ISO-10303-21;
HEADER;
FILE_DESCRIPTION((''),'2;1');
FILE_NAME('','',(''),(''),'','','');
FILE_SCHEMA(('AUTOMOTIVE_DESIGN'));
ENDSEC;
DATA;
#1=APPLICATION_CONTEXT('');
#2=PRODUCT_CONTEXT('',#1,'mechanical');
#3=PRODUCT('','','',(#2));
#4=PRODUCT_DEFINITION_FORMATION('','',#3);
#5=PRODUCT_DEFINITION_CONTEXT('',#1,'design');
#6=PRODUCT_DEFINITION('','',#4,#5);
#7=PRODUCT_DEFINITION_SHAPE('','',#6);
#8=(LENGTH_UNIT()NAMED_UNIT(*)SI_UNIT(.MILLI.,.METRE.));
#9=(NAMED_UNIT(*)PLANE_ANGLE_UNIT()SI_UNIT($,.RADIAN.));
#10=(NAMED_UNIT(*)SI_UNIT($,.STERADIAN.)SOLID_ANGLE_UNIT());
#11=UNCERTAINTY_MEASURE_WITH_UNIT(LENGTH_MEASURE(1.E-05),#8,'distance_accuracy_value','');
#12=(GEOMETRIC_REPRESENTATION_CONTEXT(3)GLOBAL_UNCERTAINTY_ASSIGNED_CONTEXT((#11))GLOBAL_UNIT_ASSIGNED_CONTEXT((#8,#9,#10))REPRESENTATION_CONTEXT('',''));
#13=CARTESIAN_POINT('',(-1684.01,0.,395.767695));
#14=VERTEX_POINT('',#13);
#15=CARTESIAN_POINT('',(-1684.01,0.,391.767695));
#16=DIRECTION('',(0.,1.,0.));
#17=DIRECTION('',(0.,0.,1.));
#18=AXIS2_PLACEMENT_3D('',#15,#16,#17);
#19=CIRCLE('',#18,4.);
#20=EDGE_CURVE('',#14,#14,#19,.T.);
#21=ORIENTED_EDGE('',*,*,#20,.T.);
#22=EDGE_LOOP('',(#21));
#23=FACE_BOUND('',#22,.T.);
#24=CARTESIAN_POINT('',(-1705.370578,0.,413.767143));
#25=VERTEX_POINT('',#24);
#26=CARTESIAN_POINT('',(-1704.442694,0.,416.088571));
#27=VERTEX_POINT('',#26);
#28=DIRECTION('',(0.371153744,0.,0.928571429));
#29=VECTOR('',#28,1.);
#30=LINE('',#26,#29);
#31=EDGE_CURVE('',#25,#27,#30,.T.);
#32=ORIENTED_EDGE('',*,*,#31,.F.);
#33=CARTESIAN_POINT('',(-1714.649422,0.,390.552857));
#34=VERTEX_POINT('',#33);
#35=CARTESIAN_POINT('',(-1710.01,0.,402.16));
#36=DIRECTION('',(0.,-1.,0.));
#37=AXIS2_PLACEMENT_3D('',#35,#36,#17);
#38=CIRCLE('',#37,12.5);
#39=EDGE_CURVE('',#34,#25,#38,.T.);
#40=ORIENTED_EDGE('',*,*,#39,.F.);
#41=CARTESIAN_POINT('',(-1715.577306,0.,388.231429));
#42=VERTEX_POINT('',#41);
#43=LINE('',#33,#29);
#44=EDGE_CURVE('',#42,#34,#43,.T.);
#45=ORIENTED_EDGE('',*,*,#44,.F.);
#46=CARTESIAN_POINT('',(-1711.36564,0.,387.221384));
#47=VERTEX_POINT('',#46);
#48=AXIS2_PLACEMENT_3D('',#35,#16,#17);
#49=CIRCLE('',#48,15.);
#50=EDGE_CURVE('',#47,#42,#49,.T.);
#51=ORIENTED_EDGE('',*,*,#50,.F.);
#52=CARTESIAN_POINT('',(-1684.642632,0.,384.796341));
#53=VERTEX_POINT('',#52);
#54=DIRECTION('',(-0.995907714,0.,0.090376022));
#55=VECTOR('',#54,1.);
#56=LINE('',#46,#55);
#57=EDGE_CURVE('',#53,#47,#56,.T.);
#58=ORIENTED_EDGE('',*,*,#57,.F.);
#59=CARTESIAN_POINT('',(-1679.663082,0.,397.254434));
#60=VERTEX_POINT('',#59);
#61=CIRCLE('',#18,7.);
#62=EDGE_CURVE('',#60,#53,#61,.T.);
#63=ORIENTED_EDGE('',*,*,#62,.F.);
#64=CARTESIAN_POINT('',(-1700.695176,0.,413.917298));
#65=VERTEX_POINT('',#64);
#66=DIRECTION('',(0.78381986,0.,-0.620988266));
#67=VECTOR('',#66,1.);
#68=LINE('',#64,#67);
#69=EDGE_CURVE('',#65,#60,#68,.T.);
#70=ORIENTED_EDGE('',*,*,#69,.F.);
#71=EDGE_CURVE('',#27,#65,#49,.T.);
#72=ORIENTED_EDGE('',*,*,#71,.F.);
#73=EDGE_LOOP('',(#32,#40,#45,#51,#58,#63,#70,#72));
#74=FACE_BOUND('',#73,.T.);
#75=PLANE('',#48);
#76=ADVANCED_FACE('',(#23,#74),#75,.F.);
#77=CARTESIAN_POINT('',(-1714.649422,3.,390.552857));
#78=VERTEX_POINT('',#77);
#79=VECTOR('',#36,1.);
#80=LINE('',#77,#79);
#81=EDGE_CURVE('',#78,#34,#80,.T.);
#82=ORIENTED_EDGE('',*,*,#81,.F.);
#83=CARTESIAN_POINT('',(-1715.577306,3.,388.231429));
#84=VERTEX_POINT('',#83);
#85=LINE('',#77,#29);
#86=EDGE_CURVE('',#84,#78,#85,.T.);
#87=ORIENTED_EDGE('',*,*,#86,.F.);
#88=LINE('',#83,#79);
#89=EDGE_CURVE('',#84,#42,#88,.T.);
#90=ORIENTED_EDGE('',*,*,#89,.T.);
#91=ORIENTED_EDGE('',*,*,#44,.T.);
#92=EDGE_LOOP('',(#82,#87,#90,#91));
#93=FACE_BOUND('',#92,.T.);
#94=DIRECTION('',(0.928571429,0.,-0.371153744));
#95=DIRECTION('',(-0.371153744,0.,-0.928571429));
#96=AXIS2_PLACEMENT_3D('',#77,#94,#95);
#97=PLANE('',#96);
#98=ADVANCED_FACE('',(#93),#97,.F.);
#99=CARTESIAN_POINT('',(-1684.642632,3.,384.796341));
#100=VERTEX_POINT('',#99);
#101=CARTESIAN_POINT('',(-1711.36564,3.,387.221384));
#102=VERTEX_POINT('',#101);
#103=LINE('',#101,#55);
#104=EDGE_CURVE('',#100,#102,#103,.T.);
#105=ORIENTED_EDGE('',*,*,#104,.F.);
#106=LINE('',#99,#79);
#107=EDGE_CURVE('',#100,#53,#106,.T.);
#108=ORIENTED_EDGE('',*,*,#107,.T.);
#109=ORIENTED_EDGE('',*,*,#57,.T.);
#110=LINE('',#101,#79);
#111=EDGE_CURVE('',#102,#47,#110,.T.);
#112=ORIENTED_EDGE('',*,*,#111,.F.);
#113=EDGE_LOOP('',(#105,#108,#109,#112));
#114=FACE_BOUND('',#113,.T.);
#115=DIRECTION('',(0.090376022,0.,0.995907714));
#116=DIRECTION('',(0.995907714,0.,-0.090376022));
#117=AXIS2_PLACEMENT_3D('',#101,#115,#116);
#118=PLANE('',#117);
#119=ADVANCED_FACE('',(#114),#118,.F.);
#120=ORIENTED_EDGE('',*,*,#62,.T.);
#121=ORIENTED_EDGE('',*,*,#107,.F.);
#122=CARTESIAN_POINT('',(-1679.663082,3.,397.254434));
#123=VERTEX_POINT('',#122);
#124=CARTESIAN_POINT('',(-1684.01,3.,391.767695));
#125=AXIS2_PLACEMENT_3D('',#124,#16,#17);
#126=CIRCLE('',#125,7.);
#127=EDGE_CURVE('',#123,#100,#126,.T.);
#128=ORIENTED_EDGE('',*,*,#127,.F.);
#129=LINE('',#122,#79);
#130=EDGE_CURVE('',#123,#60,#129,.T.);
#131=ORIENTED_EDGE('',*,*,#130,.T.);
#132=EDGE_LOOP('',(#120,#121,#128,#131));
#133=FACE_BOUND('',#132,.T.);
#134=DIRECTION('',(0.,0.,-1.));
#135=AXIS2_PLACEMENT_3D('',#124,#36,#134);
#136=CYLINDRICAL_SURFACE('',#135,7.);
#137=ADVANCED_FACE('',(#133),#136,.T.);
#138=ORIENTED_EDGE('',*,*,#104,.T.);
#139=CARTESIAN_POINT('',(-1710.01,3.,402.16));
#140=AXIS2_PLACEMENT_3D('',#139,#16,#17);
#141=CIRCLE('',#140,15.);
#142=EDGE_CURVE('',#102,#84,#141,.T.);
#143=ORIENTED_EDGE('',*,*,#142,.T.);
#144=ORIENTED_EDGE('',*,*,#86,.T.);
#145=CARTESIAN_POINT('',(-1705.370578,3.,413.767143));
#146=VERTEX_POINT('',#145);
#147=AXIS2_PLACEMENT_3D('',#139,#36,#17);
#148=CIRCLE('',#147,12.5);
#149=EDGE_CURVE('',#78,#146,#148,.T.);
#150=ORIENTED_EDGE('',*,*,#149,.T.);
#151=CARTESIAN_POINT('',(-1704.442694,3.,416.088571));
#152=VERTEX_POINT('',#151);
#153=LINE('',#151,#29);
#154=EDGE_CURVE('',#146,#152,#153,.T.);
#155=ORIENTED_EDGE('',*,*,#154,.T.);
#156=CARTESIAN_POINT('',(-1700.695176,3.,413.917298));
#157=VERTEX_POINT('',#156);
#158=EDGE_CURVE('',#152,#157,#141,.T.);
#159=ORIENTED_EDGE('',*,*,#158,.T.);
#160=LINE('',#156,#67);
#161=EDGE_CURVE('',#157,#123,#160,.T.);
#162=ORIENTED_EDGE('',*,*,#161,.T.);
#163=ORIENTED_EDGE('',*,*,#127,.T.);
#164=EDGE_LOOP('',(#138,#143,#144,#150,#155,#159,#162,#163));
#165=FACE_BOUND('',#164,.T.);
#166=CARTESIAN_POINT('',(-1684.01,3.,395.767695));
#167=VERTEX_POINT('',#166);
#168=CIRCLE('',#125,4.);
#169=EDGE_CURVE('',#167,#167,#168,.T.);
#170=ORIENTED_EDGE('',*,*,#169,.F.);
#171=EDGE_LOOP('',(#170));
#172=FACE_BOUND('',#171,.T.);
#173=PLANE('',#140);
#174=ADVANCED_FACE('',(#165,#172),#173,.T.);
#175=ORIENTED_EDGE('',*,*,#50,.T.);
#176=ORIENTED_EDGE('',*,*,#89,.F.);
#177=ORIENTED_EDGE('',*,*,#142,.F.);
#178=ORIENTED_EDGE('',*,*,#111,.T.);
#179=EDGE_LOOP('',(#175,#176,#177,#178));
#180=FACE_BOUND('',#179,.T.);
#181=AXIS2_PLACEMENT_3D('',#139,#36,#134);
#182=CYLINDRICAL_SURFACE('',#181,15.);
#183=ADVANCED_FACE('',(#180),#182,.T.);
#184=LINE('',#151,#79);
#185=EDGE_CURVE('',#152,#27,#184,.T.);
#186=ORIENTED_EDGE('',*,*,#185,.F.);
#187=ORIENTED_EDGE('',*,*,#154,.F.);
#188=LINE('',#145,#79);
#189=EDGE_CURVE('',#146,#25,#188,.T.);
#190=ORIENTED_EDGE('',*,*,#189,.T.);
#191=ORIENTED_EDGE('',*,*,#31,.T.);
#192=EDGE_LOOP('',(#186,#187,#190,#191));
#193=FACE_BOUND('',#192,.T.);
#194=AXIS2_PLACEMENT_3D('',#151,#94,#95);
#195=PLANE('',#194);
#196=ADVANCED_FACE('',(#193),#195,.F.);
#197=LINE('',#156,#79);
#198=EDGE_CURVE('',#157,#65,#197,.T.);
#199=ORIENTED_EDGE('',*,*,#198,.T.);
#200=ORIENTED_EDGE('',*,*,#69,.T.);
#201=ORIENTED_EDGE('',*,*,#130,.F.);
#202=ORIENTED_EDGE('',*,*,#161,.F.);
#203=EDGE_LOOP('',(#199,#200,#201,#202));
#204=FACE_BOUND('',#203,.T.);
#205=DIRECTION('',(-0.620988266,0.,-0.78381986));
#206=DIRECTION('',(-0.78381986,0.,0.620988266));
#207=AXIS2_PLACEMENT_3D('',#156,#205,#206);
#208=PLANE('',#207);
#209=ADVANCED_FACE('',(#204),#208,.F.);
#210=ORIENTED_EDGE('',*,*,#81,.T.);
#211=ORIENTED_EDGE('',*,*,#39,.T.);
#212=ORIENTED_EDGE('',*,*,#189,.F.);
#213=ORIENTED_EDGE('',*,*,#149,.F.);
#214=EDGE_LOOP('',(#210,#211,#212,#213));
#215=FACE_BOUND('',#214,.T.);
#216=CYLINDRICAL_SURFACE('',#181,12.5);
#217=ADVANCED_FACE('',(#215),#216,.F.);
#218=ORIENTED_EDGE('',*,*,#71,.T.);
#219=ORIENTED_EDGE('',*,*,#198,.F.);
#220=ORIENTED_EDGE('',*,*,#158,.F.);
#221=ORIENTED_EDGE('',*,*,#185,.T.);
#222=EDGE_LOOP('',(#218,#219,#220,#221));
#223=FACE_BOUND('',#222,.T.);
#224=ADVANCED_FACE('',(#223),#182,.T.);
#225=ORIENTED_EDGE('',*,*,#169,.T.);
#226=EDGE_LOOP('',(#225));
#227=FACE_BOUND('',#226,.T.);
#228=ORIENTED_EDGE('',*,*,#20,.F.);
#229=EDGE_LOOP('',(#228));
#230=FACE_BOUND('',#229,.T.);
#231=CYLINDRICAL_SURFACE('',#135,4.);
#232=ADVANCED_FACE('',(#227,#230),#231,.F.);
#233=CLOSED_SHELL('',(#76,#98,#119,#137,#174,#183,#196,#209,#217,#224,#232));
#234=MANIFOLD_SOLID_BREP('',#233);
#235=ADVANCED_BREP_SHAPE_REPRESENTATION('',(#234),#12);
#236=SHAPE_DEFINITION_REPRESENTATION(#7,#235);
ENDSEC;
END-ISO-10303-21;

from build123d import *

# Parameters (mm, degrees)
SZKIC1_R                    = 4
DODANIE_WYCI_GNI_CIE1_DEPTH = 3


with BuildPart() as part:
    # Szkic1 → Dodanie-wyciągnięcie1 (new body)
    with BuildSketch(Plane(origin=(0, 0, 0), x_dir=(1, 0, 0), z_dir=(0, 1, 0))):
        with BuildLine():
            Line((-1700.695176003, -413.9172979), (-1679.663082135, -397.254434174))
            ThreePointArc((-1679.663082135, -397.254434174), (-1677.51, -389.169618943), (-1684.642632151, -384.796341157))
            Line((-1684.642632151, -384.796341157), (-1711.365640324, -387.221384291))
            ThreePointArc((-1711.365640324, -387.221384291), (-1713.508120123, -387.573596893), (-1715.577306167, -388.231428571))
            Line((-1715.577306167, -388.231428571), (-1714.649421806, -390.552857143))
            ThreePointArc((-1714.649421806, -390.552857143), (-1698.402857143, -397.520578194), (-1705.370578194, -413.767142857))
            Line((-1705.370578194, -413.767142857), (-1704.442693833, -416.088571429))
            ThreePointArc((-1704.442693833, -416.088571429), (-1702.490155803, -415.138903777), (-1700.695176003, -413.9172979))
        make_face()
        with Locations((-1684.01, -391.767695155)):
            Circle(SZKIC1_R, mode=Mode.SUBTRACT)
    extrude(amount=DODANIE_WYCI_GNI_CIE1_DEPTH)


solid = part.part
